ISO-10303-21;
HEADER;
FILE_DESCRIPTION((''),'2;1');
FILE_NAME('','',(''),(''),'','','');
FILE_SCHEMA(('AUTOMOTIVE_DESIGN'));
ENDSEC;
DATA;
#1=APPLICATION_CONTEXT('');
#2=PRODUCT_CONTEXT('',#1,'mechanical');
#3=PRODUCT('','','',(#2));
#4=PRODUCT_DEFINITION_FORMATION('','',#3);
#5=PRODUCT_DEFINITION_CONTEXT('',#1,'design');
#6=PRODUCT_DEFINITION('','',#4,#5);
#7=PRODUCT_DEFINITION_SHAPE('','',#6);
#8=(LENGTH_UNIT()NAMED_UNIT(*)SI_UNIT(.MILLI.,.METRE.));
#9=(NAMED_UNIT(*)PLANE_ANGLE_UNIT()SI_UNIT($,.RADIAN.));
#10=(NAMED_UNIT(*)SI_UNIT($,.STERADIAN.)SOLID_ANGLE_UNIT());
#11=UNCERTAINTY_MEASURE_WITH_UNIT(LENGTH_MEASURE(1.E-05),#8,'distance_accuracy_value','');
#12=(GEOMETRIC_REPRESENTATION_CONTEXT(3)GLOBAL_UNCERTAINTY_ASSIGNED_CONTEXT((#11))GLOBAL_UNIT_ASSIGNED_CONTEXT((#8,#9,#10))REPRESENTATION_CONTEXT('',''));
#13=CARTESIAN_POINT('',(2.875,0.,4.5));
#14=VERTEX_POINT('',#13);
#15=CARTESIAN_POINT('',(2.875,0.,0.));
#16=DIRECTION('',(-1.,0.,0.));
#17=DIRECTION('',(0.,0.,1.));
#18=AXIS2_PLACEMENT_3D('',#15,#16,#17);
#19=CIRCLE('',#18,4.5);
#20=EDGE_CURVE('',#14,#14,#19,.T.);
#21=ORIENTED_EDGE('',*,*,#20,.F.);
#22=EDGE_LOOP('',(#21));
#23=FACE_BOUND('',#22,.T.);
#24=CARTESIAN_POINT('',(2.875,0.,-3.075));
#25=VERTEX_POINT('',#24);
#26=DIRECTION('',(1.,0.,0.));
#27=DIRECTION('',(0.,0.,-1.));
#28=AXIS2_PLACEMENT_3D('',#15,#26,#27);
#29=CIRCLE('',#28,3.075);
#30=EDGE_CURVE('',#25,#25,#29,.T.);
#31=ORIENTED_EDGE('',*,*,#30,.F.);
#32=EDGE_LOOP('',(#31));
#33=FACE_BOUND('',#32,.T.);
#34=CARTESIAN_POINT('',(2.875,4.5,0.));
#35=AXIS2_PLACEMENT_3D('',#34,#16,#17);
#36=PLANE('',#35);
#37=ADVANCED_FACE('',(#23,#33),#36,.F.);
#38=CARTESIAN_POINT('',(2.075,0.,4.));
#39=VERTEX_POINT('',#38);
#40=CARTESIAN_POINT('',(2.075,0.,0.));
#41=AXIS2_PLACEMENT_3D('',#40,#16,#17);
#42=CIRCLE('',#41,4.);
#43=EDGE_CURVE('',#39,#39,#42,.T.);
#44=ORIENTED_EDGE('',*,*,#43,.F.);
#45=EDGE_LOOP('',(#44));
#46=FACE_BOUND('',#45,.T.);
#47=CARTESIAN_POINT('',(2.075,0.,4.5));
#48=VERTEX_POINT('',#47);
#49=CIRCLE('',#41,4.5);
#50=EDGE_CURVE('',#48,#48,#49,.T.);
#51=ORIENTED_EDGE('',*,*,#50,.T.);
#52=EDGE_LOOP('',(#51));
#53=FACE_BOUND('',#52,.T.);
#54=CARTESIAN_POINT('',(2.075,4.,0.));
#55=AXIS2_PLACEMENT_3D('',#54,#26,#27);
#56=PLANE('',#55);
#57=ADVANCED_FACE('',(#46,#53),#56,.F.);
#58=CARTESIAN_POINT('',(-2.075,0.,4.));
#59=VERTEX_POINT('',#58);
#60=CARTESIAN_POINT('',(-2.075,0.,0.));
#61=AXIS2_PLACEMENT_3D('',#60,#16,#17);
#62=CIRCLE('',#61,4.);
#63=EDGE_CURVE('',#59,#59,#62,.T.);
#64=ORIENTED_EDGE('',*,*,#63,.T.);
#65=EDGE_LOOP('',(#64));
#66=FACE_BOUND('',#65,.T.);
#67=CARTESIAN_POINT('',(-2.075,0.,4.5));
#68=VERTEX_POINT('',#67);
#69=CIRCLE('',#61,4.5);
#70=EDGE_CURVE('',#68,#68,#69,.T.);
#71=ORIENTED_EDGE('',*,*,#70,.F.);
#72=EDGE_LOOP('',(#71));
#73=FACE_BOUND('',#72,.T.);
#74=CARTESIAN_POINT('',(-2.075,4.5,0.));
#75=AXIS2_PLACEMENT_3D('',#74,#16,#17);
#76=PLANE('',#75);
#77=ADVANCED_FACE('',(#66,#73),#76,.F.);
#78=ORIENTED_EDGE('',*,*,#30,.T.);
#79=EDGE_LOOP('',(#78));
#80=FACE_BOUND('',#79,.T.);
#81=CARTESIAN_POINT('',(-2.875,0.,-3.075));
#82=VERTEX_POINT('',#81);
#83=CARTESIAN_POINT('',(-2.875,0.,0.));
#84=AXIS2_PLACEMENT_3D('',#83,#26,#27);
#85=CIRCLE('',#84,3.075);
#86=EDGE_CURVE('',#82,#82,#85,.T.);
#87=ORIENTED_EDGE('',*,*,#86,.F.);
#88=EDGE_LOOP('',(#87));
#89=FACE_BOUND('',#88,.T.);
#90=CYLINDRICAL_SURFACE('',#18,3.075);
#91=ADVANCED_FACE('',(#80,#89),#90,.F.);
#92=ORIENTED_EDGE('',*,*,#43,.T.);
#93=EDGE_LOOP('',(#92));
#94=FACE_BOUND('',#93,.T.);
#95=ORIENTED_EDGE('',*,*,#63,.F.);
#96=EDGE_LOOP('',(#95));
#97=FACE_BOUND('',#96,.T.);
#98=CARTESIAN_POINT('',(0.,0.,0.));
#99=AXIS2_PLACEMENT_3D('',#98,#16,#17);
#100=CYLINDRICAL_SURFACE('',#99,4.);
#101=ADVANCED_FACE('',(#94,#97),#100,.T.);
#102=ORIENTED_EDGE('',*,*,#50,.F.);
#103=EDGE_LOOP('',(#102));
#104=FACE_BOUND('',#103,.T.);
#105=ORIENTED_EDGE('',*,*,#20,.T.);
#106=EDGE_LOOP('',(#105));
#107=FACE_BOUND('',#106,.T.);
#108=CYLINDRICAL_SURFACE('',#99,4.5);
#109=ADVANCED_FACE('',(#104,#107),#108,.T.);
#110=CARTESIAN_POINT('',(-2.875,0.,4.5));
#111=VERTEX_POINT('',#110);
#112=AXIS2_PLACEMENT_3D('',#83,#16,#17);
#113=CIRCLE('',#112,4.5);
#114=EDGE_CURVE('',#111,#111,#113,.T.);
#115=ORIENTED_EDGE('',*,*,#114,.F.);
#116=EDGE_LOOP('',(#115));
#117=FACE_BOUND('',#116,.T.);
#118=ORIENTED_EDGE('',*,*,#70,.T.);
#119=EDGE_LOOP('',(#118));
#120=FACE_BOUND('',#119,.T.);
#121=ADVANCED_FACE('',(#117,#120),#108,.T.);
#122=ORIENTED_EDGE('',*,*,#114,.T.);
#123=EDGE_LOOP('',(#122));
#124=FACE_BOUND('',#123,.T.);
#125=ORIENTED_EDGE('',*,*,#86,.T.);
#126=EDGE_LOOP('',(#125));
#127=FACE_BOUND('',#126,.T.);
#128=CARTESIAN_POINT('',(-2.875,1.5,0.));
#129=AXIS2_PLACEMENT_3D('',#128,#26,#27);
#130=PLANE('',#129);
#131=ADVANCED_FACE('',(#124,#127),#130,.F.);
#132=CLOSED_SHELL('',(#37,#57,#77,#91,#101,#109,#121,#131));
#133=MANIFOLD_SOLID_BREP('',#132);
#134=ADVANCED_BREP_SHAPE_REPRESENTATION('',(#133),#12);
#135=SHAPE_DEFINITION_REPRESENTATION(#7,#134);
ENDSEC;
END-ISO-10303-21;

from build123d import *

# Parameters (mm, degrees)
SKETCH3_R               = 3.075
CUT_EXTRUDE1_DEPTH      = 3.875
CUT_EXTRUDE1_DEPTH_BACK = 3.875


with BuildPart() as part:
    # Sketch1 → Revolve1 (revolve)
    with BuildSketch(Plane.XY):
        Polygon((-2.875, 1.5), (-2.875, 4.5), (-2.075, 4.5), (-2.075, 4), (2.075, 4), (2.075, 4.5), (2.875, 4.5), (2.875, 1.5), align=None)
    revolve(axis=Axis((0, 0, 0), (1, 0, 0)))

    # Sketch3 → Cut-Extrude1 (cut, two sides)
    with BuildSketch(Plane(origin=(0, 0, 0), x_dir=(0, 0, -1), z_dir=(1, 0, 0))) as cut_extrude1_sk:
        Circle(SKETCH3_R)
    extrude(amount=CUT_EXTRUDE1_DEPTH, mode=Mode.SUBTRACT)
    extrude(cut_extrude1_sk.sketch, amount=-CUT_EXTRUDE1_DEPTH_BACK, mode=Mode.SUBTRACT)


solid = part.part
